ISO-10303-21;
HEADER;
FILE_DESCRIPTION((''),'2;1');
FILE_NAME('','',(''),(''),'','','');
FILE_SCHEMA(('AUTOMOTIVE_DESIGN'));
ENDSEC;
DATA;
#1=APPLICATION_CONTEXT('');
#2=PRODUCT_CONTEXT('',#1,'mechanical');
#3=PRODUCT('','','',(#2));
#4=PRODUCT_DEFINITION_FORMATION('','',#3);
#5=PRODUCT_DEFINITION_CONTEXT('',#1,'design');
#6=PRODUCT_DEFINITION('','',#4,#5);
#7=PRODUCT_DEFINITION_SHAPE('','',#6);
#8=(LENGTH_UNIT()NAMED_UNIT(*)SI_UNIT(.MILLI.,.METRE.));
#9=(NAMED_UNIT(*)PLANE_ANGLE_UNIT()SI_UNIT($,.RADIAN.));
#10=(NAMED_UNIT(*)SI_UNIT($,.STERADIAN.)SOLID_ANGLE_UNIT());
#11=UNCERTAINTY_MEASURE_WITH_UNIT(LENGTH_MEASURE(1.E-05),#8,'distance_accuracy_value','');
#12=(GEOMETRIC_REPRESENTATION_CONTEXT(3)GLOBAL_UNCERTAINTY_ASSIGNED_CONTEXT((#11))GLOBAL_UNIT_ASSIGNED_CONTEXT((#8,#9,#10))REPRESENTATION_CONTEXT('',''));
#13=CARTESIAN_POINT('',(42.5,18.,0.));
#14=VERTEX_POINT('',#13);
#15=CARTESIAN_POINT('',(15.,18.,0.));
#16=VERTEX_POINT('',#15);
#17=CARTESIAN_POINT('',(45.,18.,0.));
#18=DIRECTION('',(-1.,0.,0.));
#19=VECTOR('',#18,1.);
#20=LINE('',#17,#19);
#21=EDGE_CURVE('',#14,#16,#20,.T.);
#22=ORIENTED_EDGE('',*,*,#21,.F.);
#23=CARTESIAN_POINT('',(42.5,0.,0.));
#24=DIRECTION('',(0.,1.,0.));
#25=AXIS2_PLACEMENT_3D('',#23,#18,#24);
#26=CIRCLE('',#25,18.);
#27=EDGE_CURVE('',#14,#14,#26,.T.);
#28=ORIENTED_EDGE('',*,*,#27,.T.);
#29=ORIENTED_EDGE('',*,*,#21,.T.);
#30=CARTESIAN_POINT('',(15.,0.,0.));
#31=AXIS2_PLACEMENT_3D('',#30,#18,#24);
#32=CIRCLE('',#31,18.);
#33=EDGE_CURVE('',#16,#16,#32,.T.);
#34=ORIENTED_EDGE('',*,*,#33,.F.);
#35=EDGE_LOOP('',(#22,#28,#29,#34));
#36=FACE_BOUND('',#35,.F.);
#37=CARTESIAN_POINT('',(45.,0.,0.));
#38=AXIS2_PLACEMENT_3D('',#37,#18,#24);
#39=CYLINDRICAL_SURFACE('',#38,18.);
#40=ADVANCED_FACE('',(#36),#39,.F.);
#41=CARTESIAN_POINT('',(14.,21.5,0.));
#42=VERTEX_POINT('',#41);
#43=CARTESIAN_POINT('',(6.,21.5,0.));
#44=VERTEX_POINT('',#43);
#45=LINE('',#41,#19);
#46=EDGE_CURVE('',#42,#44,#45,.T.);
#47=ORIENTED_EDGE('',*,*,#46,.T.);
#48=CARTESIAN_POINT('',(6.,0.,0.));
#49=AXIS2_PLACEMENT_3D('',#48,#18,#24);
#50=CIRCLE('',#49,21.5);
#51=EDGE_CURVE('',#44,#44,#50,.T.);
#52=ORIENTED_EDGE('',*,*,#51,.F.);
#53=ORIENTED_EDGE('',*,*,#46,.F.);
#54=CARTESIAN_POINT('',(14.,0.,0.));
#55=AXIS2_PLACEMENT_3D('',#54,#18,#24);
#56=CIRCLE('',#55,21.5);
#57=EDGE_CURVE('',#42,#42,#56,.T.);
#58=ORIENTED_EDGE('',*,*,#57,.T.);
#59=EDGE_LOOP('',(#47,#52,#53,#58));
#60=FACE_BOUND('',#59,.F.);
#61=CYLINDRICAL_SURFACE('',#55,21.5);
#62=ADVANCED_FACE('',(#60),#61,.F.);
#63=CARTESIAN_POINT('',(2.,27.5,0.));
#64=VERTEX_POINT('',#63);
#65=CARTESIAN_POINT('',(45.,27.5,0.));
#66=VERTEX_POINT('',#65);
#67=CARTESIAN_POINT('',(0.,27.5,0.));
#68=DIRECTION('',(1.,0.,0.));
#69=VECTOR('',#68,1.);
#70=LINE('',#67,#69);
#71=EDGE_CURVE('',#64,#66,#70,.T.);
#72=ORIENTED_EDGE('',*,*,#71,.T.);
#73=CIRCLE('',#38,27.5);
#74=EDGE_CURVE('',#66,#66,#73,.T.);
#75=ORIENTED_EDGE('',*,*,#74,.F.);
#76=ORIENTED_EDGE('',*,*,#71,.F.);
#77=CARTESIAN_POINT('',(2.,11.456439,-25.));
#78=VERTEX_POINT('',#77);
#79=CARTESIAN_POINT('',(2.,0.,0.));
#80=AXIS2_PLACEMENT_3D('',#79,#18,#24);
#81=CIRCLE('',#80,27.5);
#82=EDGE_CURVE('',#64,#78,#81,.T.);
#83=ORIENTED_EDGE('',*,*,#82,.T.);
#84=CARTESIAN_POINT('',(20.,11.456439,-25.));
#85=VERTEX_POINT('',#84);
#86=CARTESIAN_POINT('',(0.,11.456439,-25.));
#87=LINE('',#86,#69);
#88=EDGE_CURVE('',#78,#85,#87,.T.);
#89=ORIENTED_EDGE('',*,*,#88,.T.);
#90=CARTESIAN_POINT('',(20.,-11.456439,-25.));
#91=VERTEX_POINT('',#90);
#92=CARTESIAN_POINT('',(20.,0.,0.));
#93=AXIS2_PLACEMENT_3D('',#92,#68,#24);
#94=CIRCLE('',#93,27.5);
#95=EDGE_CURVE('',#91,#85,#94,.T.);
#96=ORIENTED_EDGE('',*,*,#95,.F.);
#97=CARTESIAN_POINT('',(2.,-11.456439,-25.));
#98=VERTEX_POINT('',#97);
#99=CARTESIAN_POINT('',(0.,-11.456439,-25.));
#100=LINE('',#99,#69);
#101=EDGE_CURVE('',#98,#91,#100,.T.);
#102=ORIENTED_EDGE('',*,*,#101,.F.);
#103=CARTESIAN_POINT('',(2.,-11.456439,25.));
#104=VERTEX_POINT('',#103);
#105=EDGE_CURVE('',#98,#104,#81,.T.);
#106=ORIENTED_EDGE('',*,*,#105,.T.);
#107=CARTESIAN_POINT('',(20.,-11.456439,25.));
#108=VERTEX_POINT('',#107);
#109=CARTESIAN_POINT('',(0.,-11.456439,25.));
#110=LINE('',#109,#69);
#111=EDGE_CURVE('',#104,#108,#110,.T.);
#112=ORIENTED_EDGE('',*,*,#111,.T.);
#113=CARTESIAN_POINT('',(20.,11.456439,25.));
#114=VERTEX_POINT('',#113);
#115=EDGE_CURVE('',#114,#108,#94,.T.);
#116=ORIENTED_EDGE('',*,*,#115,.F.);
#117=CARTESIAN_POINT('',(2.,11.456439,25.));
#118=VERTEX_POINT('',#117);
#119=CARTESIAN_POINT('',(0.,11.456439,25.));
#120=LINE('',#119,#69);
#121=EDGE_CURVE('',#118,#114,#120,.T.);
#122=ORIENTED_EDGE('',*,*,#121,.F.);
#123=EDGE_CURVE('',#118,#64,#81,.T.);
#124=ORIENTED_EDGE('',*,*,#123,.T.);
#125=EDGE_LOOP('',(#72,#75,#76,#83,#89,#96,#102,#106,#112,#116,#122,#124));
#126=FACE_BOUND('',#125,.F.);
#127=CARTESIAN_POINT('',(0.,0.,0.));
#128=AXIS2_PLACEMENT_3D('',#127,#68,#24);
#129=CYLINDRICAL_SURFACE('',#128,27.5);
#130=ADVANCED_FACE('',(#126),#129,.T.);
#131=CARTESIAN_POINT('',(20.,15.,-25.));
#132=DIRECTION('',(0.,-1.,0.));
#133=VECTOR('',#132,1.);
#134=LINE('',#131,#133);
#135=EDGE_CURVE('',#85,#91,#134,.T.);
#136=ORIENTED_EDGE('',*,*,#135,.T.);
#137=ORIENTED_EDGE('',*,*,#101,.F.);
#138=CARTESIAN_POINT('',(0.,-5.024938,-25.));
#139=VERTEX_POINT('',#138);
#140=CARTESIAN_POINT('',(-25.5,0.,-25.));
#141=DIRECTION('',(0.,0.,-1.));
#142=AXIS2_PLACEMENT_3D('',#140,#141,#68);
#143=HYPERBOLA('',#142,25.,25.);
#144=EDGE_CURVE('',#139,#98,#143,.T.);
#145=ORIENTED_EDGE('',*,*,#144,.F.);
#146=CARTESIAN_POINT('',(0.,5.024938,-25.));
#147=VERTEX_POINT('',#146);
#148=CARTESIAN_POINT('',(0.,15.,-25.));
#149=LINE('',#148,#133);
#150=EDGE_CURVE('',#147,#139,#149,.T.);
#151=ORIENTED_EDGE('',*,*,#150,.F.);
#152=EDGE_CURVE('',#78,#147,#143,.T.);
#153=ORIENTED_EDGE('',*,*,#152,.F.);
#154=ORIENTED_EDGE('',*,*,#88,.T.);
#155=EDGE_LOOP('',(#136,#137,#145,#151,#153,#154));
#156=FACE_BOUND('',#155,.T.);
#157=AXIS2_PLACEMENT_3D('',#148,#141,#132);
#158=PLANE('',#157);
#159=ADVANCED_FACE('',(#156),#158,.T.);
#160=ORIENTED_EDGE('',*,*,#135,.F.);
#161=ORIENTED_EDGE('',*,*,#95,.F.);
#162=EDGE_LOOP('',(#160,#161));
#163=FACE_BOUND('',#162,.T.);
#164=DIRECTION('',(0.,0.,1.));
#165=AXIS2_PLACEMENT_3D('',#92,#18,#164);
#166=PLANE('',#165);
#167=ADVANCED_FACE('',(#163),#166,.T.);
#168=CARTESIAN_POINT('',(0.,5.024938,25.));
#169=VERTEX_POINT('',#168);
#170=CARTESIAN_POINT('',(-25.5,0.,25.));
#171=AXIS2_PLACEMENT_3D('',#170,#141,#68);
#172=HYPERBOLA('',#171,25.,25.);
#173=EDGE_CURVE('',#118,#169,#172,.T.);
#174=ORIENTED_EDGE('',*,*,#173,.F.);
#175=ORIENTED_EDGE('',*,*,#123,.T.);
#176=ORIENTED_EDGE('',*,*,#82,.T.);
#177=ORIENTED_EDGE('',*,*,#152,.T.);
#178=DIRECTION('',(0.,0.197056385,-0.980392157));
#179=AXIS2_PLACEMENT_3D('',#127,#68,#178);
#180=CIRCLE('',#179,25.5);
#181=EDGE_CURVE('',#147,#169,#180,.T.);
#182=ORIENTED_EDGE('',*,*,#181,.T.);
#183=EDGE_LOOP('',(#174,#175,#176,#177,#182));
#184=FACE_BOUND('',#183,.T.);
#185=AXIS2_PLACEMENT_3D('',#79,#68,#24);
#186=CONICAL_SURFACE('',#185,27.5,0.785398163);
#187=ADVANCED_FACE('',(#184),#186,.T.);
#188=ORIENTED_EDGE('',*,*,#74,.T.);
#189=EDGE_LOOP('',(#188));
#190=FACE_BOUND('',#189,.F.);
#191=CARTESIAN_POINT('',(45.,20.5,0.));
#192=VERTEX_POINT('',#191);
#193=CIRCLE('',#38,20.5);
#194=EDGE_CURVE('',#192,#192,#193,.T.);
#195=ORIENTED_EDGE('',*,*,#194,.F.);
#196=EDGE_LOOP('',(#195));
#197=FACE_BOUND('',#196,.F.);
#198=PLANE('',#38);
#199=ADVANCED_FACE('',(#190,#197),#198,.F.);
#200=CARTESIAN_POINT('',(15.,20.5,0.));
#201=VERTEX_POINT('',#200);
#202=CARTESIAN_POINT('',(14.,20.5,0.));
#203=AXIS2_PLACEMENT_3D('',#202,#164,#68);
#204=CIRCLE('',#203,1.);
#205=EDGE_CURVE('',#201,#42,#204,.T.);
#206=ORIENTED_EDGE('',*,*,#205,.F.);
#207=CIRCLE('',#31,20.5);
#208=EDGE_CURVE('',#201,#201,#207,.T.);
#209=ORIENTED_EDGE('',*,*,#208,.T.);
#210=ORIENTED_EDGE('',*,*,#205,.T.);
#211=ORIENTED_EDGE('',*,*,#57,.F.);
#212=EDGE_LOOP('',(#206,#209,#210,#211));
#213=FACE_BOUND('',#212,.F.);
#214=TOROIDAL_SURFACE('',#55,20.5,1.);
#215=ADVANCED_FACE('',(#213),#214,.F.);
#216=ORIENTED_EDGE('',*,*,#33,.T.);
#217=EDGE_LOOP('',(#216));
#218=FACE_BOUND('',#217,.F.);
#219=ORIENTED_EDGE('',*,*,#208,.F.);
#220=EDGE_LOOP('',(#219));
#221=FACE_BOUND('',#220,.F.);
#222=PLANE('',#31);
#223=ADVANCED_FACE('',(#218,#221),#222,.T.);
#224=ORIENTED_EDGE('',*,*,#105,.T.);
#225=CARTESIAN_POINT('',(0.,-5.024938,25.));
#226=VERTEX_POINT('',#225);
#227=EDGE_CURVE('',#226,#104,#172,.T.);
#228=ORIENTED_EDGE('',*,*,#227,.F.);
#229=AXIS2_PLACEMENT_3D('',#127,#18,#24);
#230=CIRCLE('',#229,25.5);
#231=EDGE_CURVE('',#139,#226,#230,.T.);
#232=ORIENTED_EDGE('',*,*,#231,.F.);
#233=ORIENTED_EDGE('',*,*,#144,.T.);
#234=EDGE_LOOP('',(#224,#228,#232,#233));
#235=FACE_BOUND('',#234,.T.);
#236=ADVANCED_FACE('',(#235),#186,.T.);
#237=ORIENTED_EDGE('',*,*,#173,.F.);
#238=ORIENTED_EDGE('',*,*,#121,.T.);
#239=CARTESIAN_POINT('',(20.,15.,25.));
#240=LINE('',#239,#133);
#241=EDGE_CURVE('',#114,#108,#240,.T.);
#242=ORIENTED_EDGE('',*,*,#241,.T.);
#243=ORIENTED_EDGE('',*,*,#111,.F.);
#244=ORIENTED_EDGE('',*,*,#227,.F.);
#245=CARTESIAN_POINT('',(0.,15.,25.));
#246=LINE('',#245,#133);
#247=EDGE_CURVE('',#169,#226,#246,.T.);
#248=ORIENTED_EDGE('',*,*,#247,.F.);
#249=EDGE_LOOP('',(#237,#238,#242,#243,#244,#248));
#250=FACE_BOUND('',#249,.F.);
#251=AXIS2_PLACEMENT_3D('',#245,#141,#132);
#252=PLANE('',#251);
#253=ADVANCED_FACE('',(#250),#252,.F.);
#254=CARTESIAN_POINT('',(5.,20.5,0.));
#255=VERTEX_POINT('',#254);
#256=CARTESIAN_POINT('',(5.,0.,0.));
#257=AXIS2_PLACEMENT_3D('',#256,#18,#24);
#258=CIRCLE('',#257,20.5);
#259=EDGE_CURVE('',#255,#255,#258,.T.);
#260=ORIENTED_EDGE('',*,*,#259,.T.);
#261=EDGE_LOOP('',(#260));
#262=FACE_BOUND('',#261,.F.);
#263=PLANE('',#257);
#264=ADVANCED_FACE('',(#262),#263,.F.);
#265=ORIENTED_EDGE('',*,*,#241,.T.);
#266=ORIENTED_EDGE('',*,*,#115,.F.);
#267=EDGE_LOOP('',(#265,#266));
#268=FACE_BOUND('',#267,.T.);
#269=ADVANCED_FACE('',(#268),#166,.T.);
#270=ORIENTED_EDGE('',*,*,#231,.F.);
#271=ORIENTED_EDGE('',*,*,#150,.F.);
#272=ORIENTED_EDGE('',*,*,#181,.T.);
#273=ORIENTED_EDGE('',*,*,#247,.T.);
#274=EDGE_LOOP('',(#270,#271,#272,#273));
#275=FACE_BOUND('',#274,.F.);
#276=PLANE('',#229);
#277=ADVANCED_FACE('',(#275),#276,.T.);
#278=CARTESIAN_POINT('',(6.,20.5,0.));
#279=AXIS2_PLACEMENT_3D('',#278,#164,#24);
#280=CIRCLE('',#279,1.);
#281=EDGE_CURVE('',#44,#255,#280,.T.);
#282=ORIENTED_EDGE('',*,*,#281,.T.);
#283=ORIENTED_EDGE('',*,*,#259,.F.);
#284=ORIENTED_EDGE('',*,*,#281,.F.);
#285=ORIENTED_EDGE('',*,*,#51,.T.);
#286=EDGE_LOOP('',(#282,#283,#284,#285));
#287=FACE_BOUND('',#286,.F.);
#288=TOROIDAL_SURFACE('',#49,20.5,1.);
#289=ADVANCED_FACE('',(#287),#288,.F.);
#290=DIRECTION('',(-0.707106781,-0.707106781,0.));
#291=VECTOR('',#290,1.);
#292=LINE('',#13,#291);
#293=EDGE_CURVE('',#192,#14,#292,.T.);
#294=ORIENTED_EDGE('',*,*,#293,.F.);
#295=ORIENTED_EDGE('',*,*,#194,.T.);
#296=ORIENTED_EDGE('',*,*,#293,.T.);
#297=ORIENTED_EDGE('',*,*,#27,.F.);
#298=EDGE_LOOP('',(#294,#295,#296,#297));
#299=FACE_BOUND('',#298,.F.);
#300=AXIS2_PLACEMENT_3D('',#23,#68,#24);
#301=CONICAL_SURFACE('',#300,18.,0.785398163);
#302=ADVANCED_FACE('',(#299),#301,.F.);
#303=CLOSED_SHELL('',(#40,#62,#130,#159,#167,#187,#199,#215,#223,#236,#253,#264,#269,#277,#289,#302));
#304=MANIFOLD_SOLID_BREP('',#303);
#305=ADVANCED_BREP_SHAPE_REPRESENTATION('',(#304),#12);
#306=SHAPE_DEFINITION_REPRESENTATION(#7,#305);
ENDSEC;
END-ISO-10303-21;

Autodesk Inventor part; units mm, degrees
ref_plane "YZ Plane" through (0, 0, 0) normal (1, 0, 0) x (0, 1, 0)
ref_plane "XZ Plane" through (0, 0, 0) normal (0, 1, 0) x (-1, 0, 0)
ref_plane "XY Plane" through (0, 0, 0) normal (0, 0, 1) x (1, 0, 0)
sketch "Esboço1" plane through (0, 0, 0) normal (0, 0, 1) x (1, 0, 0)
  line L0 (0, 0) -> (0, 27.5)
  line L1 (0, 27.5) -> (45, 27.5)
  line L2 (45, 27.5) -> (45, 18)
  line L3 (45, 18) -> (15, 18)
  line L4 (15, 18) -> (15, 20.5)
  line L5 (14, 21.5) -> (6, 21.5)
  line L6 (5, 20.5) -> (5, 0)
  line L7 (5, 0) -> (0, 0)
  arc A0 (6, 21.5) -> (5, 20.5) centre (6, 20.5) ccw
  arc A1 (15, 20.5) -> (14, 21.5) centre (14, 20.5) ccw
  point P0 (15, 21.5)
  point P1 (5, 21.5)
  point P2 (2.5, 0)
  dimension "d0" = 55
  dimension "d1" = 45
  dimension "d2" = 40
  dimension "d3" = 10
  dimension "d4" = 43
  dimension "d5" = 36
  dimension "d7" = 1
revolve "Revolução1" add sketch "Esboço1" angle 360 about axis through (5, 0, 0) along (-1, 0, 0)
thread "Rosca1" size "M36x4" class "6H" standard "ANSI Metric M Profile" full length
chamfer "Chanfro1" distance 2.5 angle 45 1 edges at (45, -18, 0)
chamfer "Chanfro2" distance 2 angle 45 1 edges at (0, -27.5, 0)
sketch "Esboço2" plane through (0, 0, 0) normal (-1, 0, 0) x (0, 0, 1)
  line L0 (35, 15) -> (25, 15)
  line L1 (25, 15) -> (25, -15)
  line L2 (25, -15) -> (35, -15)
  line L3 (35, -15) -> (35, 15)
  line L4 (0, 0) -> (0, 48.3758) construction
  line L5 (-35, 15) -> (-25, 15)
  line L6 (-25, 15) -> (-25, -15)
  line L7 (-25, -15) -> (-35, -15)
  line L8 (-35, -15) -> (-35, 15)
  point P0 (25, 0)
  point P1 (35, 0)
  point P2 (30, -15)
  point P3 (-25, 0)
  point P4 (-35, 0)
  point P5 (-30, -15)
  dimension "d17" = 25
  dimension "d18" = 30
  dimension "d19" = 10
extrude "Extrusão1" cut sketch "Esboço2" against normal blind 20
properties part number "3D Model"
